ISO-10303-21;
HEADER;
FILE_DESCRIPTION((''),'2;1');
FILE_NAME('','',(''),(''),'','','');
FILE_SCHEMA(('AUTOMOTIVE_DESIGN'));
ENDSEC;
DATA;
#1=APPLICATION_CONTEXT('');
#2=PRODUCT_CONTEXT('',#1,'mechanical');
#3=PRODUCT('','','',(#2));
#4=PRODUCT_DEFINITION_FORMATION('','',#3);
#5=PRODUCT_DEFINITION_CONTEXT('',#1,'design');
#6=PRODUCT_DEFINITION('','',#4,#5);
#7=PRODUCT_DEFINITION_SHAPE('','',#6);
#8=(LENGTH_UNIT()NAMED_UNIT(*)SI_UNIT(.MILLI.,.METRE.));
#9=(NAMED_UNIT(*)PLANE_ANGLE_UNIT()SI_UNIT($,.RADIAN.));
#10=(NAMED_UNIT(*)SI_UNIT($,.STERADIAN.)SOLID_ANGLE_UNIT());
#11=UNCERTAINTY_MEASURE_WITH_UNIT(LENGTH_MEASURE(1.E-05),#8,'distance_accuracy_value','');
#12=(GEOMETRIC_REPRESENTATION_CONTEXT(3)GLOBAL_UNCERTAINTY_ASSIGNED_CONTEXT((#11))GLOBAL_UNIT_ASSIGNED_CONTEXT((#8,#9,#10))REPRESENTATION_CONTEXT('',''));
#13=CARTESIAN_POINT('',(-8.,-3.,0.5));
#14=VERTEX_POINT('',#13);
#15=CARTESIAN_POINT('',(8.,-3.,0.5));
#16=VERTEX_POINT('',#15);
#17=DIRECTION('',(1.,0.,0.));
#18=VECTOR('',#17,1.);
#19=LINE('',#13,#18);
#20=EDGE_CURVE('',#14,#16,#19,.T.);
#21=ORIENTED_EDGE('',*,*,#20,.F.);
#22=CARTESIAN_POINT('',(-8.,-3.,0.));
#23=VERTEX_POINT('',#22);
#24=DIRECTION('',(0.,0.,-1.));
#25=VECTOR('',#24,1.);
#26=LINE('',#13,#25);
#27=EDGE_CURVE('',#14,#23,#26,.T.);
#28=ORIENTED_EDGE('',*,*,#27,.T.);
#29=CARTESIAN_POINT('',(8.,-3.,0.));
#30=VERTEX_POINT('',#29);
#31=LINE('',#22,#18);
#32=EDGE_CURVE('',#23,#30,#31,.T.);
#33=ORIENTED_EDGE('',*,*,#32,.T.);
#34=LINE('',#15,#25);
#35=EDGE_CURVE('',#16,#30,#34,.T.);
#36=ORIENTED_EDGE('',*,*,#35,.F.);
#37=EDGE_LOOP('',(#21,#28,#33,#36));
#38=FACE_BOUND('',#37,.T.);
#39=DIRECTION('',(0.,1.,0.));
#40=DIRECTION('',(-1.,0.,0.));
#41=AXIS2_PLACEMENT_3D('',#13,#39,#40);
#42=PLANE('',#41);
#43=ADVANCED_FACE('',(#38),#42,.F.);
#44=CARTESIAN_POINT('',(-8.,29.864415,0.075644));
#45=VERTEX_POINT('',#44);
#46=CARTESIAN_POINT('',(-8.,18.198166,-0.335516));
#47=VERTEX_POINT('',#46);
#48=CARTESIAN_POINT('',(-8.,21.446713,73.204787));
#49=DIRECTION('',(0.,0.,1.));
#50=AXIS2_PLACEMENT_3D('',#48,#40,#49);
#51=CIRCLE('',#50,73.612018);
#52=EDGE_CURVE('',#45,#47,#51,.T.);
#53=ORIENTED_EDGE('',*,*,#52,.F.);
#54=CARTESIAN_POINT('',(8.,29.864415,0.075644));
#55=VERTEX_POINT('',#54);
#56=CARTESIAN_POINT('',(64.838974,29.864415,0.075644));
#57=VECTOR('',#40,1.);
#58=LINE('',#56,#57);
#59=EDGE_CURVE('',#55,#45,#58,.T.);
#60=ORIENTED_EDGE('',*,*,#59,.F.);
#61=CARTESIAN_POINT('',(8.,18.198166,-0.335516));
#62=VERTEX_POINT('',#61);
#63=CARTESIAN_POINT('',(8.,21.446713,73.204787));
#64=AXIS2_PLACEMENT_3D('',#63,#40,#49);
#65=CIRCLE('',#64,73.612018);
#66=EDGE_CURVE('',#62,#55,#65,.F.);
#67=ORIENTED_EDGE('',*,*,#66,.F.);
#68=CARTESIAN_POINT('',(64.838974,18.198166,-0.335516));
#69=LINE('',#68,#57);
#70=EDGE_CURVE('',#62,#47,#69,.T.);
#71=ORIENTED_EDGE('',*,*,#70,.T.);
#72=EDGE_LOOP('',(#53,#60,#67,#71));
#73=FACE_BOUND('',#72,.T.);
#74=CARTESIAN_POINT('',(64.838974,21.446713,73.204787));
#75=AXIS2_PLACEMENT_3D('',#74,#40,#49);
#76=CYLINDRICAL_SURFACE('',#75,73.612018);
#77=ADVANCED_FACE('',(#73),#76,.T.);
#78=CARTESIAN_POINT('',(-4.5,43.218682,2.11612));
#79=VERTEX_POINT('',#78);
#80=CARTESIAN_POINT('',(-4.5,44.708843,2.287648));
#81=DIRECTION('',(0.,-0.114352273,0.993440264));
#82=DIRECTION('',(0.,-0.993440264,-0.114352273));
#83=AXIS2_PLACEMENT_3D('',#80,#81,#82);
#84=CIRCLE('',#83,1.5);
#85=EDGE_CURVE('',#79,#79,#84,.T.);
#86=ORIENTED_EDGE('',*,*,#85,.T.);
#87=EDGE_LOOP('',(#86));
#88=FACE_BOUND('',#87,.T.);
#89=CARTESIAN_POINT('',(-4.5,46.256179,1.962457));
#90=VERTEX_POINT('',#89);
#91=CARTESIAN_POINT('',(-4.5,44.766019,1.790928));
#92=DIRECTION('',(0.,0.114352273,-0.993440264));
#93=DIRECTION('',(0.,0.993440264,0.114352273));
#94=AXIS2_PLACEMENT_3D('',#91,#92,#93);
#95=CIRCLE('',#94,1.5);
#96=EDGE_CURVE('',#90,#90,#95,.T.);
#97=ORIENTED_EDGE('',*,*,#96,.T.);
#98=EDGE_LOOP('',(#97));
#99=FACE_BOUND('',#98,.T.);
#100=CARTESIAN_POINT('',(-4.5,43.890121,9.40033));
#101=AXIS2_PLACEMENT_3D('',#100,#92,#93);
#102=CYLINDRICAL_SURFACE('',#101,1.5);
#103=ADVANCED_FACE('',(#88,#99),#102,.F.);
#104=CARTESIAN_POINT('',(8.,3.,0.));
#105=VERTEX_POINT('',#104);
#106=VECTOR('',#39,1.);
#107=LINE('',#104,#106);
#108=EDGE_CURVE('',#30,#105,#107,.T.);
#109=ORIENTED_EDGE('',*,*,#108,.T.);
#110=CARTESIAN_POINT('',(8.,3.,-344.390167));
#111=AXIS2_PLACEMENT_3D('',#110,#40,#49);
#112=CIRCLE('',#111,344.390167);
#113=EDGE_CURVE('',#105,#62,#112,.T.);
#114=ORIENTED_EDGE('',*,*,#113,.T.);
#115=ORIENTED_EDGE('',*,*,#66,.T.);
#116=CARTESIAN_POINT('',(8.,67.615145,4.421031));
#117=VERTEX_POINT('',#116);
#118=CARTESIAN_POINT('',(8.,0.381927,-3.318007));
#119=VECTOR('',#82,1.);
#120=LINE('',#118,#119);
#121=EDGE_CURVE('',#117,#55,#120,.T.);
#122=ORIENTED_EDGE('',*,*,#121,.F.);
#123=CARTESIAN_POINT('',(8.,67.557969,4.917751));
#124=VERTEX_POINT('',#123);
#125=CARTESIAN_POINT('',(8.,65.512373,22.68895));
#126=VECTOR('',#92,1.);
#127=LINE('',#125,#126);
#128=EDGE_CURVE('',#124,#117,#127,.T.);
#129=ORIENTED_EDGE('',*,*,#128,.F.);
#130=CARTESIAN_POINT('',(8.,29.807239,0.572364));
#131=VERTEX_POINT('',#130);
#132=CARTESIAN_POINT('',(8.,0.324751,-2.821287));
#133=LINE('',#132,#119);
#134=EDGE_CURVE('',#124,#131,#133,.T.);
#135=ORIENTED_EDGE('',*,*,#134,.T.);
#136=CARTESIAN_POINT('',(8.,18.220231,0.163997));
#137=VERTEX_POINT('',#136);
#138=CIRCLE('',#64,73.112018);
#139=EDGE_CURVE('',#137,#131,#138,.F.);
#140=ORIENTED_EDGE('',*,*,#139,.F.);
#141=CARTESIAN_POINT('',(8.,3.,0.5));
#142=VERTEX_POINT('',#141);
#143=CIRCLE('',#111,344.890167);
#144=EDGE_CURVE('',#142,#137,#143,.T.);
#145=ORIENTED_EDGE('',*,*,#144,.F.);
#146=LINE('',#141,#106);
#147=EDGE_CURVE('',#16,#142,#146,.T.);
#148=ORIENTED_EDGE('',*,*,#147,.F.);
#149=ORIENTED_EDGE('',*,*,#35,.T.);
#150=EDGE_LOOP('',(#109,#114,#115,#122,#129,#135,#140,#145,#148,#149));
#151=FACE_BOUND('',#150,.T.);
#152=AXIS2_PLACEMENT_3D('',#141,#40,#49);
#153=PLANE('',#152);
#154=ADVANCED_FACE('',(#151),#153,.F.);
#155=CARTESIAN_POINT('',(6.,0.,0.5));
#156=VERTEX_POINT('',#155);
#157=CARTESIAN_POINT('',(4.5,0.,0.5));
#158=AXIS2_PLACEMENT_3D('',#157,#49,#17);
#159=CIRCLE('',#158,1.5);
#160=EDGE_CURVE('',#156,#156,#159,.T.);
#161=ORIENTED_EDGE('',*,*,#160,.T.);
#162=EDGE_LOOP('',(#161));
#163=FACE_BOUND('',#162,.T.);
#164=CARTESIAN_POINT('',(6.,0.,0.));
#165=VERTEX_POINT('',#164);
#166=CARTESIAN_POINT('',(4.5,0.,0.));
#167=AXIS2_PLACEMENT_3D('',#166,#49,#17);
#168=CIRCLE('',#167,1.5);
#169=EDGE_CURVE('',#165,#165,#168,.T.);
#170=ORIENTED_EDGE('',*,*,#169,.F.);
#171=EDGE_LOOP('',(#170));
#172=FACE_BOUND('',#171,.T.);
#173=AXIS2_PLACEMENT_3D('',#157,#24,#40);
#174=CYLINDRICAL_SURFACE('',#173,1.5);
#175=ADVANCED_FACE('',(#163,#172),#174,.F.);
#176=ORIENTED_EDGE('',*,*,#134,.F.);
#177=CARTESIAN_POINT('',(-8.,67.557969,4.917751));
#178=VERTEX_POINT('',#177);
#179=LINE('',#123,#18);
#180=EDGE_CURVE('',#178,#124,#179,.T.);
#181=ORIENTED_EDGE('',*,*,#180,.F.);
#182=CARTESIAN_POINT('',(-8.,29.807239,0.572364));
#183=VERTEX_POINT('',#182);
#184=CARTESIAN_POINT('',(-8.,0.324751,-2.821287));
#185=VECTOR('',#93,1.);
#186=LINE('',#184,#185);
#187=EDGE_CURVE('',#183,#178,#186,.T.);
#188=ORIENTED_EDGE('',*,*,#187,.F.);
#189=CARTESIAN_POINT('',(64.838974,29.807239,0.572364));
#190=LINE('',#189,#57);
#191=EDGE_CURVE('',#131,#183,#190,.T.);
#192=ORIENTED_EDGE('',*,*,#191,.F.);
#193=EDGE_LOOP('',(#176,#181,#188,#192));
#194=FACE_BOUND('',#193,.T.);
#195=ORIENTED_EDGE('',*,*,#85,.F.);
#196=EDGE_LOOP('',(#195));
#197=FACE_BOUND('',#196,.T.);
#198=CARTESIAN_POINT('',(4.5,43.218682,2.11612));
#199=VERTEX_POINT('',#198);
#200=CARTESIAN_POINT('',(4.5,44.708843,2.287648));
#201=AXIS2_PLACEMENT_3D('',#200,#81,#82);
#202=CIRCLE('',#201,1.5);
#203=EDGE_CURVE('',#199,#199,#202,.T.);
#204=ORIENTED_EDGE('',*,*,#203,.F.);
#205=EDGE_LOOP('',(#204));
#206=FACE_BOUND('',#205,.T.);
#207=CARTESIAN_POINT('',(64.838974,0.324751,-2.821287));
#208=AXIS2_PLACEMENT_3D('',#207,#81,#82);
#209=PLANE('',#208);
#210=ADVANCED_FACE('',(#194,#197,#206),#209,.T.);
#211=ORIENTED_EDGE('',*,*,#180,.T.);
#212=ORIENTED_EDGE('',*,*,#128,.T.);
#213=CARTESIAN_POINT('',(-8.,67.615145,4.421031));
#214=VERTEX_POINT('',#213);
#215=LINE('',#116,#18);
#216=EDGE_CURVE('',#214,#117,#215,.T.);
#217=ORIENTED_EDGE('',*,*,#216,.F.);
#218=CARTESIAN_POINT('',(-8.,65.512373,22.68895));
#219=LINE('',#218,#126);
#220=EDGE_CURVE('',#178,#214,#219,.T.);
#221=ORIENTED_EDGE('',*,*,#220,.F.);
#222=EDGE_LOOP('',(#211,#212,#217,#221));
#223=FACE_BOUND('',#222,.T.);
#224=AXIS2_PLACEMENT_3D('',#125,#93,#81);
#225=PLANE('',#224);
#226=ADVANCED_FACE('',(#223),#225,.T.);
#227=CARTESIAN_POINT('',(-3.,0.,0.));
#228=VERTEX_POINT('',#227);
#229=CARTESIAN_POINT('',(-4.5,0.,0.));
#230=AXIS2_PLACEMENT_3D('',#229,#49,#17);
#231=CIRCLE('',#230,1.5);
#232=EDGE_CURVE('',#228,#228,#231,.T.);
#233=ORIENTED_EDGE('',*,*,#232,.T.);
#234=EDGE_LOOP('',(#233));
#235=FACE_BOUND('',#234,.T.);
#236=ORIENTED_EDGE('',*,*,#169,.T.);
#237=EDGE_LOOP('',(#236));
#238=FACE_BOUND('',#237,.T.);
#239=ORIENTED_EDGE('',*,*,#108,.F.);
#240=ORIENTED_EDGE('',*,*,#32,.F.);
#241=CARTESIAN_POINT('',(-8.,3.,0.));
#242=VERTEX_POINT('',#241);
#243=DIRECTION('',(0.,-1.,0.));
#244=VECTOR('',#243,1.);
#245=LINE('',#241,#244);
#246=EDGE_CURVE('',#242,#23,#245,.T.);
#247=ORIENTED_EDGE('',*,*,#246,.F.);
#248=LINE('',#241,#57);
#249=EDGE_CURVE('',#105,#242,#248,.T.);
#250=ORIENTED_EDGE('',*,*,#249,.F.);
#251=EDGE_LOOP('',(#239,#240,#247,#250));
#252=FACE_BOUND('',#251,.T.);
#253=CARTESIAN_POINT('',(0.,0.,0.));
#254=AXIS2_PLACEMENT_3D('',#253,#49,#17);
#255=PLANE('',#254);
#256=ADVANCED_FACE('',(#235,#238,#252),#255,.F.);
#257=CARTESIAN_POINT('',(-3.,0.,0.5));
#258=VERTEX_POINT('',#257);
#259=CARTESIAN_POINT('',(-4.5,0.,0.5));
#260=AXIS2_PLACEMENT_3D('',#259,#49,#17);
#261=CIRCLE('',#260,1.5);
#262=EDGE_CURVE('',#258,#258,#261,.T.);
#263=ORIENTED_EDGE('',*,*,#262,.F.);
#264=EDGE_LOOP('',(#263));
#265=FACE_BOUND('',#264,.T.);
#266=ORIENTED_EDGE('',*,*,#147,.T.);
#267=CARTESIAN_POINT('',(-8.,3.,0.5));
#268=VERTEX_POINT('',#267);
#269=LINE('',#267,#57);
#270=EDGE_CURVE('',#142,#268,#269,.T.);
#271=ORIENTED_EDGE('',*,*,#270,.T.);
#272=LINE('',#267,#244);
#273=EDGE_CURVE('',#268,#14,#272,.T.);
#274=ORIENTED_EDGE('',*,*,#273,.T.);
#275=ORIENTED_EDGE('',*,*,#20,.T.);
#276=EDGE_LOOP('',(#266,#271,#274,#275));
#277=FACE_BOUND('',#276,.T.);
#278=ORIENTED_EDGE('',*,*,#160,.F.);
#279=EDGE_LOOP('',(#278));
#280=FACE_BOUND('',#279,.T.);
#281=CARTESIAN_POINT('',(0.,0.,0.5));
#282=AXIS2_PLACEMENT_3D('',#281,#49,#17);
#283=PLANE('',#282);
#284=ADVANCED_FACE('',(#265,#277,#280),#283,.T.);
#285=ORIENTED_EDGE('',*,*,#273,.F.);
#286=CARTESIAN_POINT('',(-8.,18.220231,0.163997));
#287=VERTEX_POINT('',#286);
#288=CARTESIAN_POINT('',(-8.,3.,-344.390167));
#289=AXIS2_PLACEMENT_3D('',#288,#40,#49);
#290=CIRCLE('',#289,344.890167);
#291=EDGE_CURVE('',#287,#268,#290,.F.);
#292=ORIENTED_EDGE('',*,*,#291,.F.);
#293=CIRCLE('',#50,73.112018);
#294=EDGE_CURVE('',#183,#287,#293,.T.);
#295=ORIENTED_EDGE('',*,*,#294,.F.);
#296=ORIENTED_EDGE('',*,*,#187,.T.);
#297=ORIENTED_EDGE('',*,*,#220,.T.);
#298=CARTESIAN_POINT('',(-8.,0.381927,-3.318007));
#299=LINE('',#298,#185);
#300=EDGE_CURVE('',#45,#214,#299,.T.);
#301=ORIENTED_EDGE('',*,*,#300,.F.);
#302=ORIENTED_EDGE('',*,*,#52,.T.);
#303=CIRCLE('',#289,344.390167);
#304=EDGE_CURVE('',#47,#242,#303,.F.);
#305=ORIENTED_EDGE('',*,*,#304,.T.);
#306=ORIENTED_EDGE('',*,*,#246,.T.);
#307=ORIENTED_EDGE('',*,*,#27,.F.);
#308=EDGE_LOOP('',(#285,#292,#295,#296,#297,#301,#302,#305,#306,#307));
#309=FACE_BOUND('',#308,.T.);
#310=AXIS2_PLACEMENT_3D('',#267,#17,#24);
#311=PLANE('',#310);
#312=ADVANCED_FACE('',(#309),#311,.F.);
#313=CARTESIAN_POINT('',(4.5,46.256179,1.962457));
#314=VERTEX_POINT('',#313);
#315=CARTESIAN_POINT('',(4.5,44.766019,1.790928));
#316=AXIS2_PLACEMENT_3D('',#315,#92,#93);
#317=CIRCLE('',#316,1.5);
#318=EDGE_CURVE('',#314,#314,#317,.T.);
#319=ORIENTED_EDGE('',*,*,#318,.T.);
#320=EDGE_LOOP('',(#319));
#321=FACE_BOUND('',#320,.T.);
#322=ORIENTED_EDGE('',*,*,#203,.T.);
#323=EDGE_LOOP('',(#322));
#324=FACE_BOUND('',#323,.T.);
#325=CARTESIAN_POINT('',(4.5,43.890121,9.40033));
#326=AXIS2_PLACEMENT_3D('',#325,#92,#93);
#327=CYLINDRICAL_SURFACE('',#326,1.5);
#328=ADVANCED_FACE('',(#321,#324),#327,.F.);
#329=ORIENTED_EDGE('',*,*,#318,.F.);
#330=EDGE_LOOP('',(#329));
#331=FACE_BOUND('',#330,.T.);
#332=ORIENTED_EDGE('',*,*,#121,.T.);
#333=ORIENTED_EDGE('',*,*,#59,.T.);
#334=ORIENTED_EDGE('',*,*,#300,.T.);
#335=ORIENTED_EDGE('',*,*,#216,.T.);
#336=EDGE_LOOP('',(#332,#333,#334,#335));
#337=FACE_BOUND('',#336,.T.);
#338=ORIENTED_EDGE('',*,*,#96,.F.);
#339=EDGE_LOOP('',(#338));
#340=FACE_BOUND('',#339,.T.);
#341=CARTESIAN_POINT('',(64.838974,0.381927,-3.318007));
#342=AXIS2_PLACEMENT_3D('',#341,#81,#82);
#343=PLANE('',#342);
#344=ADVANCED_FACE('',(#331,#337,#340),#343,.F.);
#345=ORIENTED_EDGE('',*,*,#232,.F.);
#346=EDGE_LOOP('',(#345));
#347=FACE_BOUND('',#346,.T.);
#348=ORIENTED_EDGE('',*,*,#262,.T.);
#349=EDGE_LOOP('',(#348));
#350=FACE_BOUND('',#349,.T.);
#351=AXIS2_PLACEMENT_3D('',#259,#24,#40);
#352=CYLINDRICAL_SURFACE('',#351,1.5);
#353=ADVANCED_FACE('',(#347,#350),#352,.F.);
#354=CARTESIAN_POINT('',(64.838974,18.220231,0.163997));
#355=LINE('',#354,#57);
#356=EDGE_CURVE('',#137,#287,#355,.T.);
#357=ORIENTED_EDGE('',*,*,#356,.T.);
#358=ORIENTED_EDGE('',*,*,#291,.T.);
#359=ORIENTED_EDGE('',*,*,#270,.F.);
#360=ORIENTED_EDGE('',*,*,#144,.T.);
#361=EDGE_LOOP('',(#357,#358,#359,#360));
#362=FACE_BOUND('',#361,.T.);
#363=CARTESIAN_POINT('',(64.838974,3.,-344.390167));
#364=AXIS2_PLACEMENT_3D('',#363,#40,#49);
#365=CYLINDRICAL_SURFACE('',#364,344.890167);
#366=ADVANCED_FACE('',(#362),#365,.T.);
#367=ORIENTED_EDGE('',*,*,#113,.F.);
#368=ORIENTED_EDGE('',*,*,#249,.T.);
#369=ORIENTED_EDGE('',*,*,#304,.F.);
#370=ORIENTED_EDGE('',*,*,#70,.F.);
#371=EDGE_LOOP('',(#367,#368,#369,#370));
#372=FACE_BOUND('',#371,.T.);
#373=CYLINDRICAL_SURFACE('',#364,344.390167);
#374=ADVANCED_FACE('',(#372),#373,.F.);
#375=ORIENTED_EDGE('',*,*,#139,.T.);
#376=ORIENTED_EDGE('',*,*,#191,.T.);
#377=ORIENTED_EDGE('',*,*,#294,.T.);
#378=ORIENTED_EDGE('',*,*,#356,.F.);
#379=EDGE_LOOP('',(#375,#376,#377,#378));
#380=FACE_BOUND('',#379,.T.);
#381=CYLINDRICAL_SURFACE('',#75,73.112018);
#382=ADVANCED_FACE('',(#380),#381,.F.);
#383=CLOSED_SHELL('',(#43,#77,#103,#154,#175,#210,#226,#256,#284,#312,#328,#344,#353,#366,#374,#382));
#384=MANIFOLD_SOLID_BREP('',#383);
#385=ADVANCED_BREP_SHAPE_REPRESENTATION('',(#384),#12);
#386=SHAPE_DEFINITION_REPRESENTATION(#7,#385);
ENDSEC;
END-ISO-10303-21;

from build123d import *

# Parameters (mm, degrees)
SKETCH1_W           = 16
SKETCH1_H           = 6
SKETCH1_R           = 1.5
BOSS_EXTRUDE1_DEPTH = 0.5
BOSS_EXTRUDE2_DEPTH = 16
SKETCH3_R           = 1.5
CUT_EXTRUDE1_DEPTH  = 8.659646886
SKETCH4_W           = 16
SKETCH4_H           = 8
BOSS_EXTRUDE3_DEPTH = 0.5


with BuildPart() as part:
    # Sketch1 → Boss-Extrude1 (new body)
    with BuildSketch(Plane.XY):
        Rectangle(SKETCH1_W, SKETCH1_H)
        with Locations((-4.5, 0)):
            Circle(SKETCH1_R, mode=Mode.SUBTRACT)
        with Locations((4.5, 0)):
            Circle(SKETCH1_R, mode=Mode.SUBTRACT)
    extrude(amount=BOSS_EXTRUDE1_DEPTH)

    # Sketch2 → Boss-Extrude2 (add)
    with BuildSketch(Plane.ZY.offset(8)):
        with BuildLine():
            ThreePointArc((0.163996883, 18.220231427), (0.415988989, 10.611969896), (0.5, 3))
            Line((0.5, 3), (0, 3))
            ThreePointArc((0, 3), (-0.083889217, 10.600934542), (-0.335516001, 18.198166096))
            ThreePointArc((-0.335516001, 18.198166096), (-0.36155667, 24.039453598), (0.075644223, 29.864414815))
            Line((0.075644223, 29.864414815), (1.666879953, 43.688343289))
            Line((1.666879953, 43.688343289), (1.914976685, 45.843694255))
            Line((1.914976685, 45.843694255), (3.506212415, 59.667622728))
            Line((3.506212415, 59.667622728), (4.002932547, 59.610446591))
            Line((4.002932547, 59.610446591), (0.572364355, 29.807238679))
            ThreePointArc((0.572364355, 29.807238679), (0.138133092, 24.021842748), (0.163996883, 18.220231427))
        make_face()
    extrude(amount=-BOSS_EXTRUDE2_DEPTH)

    # Sketch3 → Cut-Extrude1 (cut, through all)
    with BuildSketch(Plane(origin=(0, 0.381926952, -3.318006735), x_dir=(-1, 0, 0), z_dir=(0, 0.114352273, -0.993440264))):
        with Locations((-4.5, 44.67716222)):
            Circle(SKETCH3_R)
        with Locations((4.5, 44.67716222)):
            Circle(SKETCH3_R)
    extrude(amount=-CUT_EXTRUDE1_DEPTH, mode=Mode.SUBTRACT)

    # Sketch4 → Boss-Extrude3 (add)
    with BuildSketch(Plane(origin=(0, 0.381926952, -3.318006735), x_dir=(-1, 0, 0), z_dir=(0, 0.114352273, -0.993440264))):
        with Locations((0, 63.67716222)):
            Rectangle(SKETCH4_W, SKETCH4_H)
    extrude(amount=-BOSS_EXTRUDE3_DEPTH)


solid = part.part
